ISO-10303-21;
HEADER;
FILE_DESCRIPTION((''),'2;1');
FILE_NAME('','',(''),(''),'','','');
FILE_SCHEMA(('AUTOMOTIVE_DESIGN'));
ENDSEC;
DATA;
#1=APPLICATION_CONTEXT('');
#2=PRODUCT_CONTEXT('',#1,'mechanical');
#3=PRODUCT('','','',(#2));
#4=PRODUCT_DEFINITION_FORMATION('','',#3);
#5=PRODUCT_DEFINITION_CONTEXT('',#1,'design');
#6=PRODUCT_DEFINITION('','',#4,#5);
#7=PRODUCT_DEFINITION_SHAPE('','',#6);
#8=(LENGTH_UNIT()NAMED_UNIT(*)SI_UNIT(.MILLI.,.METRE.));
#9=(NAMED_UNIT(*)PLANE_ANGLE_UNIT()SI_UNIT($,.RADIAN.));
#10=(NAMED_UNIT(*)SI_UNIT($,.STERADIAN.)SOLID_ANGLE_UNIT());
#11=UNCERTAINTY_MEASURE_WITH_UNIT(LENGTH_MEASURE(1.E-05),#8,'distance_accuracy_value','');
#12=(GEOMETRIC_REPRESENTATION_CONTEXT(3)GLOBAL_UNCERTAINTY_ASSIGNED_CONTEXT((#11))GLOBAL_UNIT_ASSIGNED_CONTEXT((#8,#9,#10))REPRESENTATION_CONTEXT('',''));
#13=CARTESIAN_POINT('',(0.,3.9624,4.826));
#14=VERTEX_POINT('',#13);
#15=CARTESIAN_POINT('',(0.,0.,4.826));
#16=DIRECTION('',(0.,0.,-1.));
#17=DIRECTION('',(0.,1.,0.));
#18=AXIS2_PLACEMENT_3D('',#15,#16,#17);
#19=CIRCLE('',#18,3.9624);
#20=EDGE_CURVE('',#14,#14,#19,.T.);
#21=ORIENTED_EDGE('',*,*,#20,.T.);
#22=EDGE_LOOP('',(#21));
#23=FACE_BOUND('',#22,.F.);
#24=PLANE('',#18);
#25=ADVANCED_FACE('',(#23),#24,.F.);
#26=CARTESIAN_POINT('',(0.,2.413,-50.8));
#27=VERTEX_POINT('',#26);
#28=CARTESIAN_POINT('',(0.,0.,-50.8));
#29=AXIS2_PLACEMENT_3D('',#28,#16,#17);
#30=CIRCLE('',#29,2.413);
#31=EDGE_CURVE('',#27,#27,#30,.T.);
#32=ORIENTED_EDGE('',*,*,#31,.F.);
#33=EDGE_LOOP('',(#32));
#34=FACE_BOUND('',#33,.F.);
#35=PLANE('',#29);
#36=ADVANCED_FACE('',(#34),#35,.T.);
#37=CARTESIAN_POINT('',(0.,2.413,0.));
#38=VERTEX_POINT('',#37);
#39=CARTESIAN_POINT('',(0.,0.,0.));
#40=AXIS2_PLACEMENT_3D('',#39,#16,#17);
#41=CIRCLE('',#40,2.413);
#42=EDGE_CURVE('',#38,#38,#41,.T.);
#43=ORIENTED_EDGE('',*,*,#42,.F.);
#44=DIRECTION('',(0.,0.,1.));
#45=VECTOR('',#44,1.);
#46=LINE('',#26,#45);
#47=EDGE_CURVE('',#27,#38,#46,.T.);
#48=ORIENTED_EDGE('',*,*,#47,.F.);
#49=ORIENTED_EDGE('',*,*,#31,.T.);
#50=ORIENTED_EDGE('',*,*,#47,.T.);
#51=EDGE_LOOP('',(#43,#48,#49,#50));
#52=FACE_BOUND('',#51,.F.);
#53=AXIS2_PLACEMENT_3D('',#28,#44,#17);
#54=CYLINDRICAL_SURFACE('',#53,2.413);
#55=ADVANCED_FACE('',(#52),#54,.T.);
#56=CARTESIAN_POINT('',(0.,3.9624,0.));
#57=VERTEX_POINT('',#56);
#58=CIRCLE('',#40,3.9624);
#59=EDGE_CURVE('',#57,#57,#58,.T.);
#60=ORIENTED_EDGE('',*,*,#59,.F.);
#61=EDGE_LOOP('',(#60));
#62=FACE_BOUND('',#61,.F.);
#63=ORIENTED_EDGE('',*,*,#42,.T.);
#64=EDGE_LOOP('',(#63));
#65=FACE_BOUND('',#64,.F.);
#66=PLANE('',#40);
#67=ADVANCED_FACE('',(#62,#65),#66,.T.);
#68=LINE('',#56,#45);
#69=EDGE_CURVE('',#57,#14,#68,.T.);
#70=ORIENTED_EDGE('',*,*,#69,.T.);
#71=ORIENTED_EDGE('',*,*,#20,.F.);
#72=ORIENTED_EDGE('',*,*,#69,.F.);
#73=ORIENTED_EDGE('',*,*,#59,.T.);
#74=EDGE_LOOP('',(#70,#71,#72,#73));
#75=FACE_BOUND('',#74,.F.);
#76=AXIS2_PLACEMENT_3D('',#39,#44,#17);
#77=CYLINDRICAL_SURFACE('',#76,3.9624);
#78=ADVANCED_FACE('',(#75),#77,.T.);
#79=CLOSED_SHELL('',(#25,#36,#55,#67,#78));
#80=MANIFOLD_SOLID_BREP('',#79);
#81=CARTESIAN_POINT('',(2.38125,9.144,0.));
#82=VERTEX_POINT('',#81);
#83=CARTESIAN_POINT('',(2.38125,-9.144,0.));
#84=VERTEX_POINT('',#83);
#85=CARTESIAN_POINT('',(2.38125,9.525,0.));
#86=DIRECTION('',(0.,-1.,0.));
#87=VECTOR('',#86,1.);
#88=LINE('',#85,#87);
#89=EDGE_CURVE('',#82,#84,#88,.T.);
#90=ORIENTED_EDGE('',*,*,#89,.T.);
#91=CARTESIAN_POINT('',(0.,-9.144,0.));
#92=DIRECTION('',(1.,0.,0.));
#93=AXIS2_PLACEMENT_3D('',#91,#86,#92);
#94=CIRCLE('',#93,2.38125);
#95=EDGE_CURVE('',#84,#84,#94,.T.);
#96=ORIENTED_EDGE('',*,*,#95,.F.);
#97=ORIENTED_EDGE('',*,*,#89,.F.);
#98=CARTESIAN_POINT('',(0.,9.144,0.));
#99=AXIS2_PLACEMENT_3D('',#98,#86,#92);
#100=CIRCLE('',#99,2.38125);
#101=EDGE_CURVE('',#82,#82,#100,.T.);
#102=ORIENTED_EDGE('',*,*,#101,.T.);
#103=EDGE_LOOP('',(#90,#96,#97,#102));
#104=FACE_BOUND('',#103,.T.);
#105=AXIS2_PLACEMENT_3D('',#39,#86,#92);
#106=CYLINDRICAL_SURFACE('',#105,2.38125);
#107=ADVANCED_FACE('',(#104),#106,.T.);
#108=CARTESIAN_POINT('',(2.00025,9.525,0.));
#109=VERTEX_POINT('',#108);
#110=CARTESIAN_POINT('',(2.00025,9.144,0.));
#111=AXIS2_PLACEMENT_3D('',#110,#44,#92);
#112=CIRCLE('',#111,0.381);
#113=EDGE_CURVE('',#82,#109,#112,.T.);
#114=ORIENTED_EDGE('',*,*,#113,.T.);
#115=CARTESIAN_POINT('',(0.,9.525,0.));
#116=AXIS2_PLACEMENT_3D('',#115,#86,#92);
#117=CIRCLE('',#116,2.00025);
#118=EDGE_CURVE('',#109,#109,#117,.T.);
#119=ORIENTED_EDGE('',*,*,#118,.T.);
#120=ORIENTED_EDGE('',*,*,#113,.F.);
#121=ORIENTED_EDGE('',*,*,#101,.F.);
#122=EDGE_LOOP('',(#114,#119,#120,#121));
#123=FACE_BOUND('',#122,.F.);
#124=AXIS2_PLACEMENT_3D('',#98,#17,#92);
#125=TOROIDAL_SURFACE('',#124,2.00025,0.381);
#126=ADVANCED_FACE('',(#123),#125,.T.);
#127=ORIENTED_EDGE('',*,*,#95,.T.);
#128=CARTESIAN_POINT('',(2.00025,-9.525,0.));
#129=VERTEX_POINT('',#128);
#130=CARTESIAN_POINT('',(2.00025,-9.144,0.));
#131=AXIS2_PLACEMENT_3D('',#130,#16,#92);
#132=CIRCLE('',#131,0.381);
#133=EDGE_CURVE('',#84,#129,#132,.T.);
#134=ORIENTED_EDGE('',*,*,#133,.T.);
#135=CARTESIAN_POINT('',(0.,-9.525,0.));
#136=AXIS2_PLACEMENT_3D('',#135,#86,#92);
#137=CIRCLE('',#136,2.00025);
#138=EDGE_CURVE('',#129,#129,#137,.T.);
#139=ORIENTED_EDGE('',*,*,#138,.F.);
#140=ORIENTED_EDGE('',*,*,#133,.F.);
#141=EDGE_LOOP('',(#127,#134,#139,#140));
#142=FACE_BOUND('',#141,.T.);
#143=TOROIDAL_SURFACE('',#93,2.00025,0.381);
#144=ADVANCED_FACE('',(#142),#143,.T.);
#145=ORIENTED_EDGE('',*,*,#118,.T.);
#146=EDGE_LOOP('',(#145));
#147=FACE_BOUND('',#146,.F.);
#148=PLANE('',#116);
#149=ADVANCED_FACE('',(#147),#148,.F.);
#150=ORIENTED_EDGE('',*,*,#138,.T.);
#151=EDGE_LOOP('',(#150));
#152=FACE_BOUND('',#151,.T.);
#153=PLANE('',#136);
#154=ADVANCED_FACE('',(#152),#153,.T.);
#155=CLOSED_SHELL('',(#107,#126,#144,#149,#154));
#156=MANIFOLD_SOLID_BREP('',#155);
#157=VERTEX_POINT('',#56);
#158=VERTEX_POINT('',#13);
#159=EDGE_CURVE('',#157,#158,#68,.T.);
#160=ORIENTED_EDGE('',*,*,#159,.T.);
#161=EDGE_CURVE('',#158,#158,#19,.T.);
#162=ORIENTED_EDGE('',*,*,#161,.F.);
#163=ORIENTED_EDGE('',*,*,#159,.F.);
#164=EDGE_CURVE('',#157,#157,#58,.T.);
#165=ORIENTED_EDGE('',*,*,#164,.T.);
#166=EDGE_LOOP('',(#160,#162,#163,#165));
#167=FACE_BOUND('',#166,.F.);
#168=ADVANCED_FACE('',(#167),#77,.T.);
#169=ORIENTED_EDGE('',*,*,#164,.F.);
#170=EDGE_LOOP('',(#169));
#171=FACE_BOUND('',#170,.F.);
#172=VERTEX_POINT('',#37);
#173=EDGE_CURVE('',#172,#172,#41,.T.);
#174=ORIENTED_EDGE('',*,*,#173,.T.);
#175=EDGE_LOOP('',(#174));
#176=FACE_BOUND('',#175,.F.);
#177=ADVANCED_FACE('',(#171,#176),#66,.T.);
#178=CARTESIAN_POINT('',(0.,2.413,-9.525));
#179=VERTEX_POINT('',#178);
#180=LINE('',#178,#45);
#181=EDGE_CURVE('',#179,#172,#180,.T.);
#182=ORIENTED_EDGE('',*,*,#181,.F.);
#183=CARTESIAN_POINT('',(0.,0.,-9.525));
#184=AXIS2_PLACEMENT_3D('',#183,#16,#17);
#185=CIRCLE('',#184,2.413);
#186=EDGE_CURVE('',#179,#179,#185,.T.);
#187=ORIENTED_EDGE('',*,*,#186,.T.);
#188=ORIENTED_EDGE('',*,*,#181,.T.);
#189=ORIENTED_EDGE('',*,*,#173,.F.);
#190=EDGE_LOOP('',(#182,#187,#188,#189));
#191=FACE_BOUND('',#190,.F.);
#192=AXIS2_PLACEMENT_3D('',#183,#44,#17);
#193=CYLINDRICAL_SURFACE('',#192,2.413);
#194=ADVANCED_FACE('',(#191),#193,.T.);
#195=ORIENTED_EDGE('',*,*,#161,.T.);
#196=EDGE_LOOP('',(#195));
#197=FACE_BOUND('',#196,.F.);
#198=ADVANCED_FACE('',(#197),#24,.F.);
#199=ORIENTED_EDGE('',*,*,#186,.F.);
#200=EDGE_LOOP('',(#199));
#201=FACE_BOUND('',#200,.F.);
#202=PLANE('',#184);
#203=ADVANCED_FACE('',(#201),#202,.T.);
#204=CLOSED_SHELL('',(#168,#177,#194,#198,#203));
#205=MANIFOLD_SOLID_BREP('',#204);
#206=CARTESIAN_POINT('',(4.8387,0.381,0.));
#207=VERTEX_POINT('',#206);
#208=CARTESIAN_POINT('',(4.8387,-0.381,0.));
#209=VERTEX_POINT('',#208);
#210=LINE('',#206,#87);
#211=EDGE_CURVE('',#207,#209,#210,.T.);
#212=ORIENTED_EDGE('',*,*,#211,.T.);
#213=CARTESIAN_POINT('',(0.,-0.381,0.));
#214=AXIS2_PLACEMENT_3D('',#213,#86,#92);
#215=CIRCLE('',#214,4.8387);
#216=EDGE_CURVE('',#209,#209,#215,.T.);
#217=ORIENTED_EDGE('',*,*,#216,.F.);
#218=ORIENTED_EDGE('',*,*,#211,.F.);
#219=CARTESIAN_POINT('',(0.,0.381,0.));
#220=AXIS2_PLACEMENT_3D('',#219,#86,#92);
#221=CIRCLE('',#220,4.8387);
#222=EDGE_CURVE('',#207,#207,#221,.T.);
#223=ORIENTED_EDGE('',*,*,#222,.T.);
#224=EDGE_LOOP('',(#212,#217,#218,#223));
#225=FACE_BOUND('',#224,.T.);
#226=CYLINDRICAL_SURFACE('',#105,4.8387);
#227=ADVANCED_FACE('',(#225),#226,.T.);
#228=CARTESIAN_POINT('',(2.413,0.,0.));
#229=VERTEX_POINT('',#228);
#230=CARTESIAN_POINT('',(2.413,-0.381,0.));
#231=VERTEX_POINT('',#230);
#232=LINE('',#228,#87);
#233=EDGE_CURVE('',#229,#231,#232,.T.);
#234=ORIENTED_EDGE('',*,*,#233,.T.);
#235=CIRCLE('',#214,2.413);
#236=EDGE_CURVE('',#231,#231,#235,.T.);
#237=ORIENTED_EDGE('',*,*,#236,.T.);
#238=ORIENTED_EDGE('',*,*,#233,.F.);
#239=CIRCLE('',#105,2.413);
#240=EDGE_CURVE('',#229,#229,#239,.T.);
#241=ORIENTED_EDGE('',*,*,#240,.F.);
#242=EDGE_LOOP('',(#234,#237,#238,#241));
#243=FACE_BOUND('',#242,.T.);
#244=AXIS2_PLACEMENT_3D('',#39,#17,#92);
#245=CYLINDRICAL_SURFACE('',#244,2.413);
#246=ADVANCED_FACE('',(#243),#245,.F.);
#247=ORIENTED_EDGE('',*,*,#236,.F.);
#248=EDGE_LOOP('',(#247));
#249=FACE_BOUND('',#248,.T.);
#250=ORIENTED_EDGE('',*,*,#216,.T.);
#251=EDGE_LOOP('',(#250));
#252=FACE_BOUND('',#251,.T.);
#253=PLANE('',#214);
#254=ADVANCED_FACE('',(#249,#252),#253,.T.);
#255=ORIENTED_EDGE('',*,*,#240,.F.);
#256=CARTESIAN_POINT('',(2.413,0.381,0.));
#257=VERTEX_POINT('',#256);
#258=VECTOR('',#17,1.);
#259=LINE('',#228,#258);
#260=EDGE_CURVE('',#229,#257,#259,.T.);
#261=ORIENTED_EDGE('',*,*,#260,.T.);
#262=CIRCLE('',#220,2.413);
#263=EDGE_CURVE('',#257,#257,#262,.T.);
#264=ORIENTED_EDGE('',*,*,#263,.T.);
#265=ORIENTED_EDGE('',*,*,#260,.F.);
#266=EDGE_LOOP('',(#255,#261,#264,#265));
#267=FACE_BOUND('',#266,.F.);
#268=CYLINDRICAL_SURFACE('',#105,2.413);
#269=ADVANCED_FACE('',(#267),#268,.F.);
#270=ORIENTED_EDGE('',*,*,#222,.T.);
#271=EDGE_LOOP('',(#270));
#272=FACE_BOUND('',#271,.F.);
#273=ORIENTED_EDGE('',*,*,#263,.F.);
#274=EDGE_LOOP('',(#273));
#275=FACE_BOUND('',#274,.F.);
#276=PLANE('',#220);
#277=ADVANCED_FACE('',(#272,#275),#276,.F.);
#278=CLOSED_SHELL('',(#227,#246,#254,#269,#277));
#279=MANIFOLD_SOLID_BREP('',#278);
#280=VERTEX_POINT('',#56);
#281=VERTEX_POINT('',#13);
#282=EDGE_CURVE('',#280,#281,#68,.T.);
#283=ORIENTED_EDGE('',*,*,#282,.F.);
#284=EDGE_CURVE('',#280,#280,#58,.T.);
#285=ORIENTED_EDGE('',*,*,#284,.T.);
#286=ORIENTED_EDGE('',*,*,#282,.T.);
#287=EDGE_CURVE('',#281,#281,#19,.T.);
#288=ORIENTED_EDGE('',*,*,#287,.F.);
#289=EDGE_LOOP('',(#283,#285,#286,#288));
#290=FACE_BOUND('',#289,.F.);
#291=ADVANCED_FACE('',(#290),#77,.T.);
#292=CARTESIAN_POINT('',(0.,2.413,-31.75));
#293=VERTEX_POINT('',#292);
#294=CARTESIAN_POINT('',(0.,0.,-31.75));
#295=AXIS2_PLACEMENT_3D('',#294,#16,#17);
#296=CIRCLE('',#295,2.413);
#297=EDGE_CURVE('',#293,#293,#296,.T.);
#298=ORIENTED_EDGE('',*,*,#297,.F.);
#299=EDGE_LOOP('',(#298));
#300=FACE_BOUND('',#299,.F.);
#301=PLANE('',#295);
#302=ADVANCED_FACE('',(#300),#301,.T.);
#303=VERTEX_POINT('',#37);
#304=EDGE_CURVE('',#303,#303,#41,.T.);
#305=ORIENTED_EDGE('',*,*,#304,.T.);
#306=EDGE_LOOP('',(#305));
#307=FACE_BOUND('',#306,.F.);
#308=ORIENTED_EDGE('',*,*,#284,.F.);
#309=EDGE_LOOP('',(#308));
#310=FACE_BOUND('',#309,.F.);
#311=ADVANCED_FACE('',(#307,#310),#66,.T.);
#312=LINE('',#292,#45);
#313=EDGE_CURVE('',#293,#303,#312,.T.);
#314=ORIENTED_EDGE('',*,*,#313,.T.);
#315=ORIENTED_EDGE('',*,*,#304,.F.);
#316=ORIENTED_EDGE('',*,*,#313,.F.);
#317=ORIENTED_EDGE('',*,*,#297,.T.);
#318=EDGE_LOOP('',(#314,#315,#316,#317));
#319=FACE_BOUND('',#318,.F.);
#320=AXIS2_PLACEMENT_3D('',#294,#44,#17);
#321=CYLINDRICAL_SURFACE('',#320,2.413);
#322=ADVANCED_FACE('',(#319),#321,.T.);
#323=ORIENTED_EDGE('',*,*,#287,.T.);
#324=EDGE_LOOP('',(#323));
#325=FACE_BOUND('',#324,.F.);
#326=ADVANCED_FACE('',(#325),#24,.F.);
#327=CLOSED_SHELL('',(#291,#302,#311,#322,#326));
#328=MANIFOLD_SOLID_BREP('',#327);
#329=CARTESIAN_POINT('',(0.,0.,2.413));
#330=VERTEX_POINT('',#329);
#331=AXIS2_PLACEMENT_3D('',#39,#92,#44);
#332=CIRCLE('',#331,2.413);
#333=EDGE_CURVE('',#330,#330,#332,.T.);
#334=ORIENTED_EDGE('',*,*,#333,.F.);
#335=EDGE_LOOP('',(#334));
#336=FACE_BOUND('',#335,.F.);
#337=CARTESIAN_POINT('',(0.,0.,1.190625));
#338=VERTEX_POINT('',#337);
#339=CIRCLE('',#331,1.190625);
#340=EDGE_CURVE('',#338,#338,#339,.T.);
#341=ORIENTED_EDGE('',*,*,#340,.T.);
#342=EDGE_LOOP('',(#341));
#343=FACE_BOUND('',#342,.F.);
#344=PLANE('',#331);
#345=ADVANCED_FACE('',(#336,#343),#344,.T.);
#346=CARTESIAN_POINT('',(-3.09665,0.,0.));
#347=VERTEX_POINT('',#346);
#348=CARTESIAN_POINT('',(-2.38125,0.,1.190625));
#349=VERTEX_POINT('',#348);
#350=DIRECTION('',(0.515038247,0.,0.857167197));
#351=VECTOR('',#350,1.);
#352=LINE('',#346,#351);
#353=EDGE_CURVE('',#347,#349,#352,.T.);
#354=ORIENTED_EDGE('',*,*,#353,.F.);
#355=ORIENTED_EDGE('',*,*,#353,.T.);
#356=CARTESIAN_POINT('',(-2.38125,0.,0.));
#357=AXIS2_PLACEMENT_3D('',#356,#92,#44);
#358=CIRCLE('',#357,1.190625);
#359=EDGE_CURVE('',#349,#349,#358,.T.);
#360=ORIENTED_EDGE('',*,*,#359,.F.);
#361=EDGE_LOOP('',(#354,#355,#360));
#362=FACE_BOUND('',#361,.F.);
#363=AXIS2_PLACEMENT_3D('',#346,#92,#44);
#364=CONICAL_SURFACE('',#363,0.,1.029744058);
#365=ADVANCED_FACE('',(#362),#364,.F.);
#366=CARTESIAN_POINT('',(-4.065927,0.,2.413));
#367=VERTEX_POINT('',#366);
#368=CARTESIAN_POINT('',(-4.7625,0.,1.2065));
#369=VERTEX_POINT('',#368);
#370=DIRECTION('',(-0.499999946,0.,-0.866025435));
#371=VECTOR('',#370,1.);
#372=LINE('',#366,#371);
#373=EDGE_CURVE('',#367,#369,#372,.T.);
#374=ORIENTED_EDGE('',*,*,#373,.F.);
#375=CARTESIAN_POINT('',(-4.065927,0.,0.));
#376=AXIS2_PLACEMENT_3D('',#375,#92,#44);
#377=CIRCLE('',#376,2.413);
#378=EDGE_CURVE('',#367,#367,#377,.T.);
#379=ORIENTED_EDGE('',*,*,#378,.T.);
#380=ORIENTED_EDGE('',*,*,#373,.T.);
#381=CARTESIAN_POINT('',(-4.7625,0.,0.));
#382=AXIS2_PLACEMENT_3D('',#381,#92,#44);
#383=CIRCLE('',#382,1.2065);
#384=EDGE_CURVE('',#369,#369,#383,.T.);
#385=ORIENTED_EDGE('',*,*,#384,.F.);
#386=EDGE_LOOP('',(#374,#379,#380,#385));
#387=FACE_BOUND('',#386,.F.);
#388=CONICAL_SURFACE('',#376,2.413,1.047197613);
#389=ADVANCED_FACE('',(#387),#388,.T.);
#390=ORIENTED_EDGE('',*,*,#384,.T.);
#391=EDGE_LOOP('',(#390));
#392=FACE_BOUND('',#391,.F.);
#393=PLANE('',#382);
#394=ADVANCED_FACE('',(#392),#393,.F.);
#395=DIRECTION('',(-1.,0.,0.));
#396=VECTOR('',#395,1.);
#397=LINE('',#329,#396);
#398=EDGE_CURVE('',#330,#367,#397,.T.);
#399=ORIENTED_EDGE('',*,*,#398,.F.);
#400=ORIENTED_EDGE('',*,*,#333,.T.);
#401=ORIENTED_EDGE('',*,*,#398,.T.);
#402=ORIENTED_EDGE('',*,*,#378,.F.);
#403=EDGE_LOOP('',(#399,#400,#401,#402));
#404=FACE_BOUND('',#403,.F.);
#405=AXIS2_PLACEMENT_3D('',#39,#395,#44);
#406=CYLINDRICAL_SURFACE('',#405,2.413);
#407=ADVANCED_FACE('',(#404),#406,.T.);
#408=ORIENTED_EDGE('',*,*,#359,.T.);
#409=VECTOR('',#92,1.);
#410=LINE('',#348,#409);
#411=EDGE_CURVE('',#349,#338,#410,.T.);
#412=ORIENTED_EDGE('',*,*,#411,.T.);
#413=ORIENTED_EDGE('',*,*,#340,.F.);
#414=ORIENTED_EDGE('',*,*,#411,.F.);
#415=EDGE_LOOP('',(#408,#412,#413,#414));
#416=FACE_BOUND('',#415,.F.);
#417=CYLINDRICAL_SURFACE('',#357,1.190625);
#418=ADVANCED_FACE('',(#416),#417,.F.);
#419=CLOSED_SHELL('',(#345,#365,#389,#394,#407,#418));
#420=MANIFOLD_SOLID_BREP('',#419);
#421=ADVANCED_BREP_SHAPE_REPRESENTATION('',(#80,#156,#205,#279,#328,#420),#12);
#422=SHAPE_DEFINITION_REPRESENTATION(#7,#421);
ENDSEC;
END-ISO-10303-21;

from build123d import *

# Parameters (mm, degrees)
F0_R          = 4.8387
F0_R_2        = 2.413
F1_DEPTH      = 0.381
F1_DEPTH_BACK = 0.381
F2_R          = 2.38125
F3_DEPTH      = 9.525
F3_DEPTH_BACK = 9.525
F4_R          = 0.381


with BuildPart() as f1:
    # F0 (on Front) → F1 (new body, two sides)
    with BuildSketch(Plane.XZ) as f1_sk:
        Circle(F0_R)
        Circle(F0_R_2, mode=Mode.SUBTRACT)
    extrude(amount=F1_DEPTH)
    extrude(f1_sk.sketch, amount=-F1_DEPTH_BACK)


with BuildPart() as f3:
    # F2 (on Front) → F3 (new body, two sides)
    with BuildSketch(Plane.XZ) as f3_sk:
        Circle(F2_R)
    extrude(amount=F3_DEPTH)
    extrude(f3_sk.sketch, amount=-F3_DEPTH_BACK)

    # F4
    f4_edges = [f3.edges().sort_by_distance(p)[0] for p in [
        (-2.38125, -9.525, 0),
        (-2.38125, 9.525, 0),
    ]]
    fillet(f4_edges, radius=F4_R)


with BuildPart() as f6:
    # F5 (on Front) → F6 (revolve)
    with BuildSketch(Plane.XZ):
        Polygon((-4.7625, 0), (-3.09665, 0), (-2.38125, 1.190625), (0, 1.190625), (0, 2.413), (-4.065927, 2.413), (-4.7625, 1.2065), align=None)
    revolve(axis=Axis((4.242493, 0, 0), (1, 0, 0)))


with BuildPart() as f8:
    # F7 (on Right) → F8 (revolve)
    with BuildSketch(Plane.YZ):
        Polygon((3.9624, 4.826), (0, 4.826), (0, -9.525), (2.413, -9.525), (2.413, 0), (3.9624, 0), align=None)
    revolve(axis=Axis((0, 0, -2.876519), (0, 0, -1)))


with BuildPart() as f10:
    # F9 (on Right) → F10 (revolve)
    with BuildSketch(Plane.YZ):
        Polygon((3.9624, 4.826), (0, 4.826), (0, -31.75), (2.413, -31.75), (2.413, 0), (3.9624, 0), align=None)
    revolve(axis=Axis((0, 0, -2.336647), (0, 0, -1)))


with BuildPart() as f12:
    # F11 (on Right) → F12 (revolve)
    with BuildSketch(Plane.YZ):
        Polygon((3.9624, 4.826), (0, 4.826), (0, -50.8), (2.413, -50.8), (2.413, 0), (3.9624, 0), align=None)
    revolve(axis=Axis((0, 0, -13.152602), (0, 0, -1)))


solid = Compound([f1.part, f3.part, f6.part, f8.part, f10.part, f12.part])
